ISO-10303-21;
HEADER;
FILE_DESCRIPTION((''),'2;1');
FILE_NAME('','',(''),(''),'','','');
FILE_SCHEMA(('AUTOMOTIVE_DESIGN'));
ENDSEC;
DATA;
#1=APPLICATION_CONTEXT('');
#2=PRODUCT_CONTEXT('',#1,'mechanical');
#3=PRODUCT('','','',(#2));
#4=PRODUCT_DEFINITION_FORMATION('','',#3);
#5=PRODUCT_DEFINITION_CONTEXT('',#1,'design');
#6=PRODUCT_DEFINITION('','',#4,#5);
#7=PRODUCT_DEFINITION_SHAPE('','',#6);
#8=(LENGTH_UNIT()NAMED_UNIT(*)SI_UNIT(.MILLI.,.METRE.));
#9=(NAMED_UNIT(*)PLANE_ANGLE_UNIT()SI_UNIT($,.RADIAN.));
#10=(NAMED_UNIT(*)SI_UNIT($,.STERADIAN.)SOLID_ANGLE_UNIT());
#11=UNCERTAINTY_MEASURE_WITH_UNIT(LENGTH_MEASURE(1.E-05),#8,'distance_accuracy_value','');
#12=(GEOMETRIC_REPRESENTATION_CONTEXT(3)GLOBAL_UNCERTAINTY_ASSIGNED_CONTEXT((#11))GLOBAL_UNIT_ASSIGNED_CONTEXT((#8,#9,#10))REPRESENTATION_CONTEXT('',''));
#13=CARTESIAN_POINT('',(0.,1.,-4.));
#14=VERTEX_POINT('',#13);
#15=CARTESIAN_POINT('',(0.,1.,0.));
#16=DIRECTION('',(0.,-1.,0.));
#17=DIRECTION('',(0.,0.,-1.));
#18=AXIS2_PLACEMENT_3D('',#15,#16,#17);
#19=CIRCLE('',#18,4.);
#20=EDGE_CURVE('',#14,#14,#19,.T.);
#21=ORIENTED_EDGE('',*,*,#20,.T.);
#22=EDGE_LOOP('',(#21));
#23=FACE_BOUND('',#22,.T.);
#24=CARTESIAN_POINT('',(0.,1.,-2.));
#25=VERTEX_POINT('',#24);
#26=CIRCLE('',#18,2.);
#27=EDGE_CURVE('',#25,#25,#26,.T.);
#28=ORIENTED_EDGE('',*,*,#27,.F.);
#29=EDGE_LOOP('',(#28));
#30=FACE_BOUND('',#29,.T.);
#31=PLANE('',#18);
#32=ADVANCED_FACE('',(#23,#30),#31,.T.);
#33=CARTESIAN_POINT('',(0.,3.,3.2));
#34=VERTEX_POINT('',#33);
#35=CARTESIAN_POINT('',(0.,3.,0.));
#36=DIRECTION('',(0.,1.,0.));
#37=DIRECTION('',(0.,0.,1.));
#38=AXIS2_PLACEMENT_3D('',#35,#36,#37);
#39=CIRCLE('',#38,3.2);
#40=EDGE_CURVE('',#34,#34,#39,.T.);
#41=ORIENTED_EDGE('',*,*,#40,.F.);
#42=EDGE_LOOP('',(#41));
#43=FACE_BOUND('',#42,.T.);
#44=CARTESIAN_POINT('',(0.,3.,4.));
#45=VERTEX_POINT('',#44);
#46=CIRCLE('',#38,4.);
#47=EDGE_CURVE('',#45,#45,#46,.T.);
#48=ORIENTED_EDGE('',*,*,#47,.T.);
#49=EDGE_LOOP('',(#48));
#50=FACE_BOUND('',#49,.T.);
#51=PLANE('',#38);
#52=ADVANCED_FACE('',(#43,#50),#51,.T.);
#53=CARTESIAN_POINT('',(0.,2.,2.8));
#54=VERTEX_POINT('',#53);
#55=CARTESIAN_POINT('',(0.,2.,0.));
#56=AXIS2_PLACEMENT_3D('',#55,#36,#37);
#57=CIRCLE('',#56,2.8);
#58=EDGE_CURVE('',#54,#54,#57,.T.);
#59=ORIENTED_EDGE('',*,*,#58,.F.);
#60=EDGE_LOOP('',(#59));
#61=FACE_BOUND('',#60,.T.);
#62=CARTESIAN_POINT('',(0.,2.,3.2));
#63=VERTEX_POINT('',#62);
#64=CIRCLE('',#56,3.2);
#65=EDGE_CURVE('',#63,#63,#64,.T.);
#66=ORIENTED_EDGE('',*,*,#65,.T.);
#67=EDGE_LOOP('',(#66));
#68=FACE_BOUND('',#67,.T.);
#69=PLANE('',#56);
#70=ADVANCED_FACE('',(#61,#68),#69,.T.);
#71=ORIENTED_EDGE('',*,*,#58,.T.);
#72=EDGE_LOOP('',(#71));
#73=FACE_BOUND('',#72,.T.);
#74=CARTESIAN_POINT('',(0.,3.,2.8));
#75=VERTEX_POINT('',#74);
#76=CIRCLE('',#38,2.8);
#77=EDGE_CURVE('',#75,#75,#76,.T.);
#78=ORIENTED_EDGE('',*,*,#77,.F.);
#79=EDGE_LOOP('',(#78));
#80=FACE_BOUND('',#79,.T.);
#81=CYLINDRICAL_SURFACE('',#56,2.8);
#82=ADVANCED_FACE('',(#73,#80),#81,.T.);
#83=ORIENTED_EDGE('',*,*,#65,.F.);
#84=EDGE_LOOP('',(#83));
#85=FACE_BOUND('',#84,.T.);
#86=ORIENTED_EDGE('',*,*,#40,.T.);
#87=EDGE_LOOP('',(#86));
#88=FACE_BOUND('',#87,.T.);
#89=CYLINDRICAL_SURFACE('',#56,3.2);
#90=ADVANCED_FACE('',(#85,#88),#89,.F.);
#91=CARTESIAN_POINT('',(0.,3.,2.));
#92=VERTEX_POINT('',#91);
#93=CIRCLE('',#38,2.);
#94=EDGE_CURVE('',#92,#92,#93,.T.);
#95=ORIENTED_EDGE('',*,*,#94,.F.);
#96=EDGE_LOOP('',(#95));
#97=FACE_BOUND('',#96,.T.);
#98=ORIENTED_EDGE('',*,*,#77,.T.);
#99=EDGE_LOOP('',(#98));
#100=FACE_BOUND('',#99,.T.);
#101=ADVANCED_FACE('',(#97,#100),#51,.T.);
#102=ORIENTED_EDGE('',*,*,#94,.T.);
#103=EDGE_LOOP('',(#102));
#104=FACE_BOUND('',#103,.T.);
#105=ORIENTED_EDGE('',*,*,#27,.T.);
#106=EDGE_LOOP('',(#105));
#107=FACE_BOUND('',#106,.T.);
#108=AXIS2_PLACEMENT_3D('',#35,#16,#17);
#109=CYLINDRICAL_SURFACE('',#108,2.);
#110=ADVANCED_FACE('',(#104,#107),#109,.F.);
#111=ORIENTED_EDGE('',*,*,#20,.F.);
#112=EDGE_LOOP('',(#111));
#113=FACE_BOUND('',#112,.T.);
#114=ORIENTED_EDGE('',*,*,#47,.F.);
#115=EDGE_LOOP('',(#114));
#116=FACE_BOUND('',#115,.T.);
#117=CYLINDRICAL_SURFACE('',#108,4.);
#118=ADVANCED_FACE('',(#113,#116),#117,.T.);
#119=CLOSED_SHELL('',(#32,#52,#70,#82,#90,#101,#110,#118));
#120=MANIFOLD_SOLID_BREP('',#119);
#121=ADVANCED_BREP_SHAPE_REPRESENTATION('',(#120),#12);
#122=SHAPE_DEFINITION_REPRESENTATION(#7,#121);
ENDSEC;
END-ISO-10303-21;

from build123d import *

# Parameters (mm, degrees)
SKETCH1_R           = 4
SKETCH1_R_2         = 2
BOSS_EXTRUDE1_DEPTH = 3
SKETCH2_R           = 3.2
SKETCH2_R_2         = 2.8
CUT_EXTRUDE1_DEPTH  = 1
SKETCH3_R           = 4
SKETCH3_R_2         = 2
CUT_EXTRUDE2_DEPTH  = 1


with BuildPart() as part:
    # Sketch1 → Boss-Extrude1 (new body)
    with BuildSketch(Plane(origin=(0, 0, 0), x_dir=(1, 0, 0), z_dir=(0, 1, 0))):
        Circle(SKETCH1_R)
        Circle(SKETCH1_R_2, mode=Mode.SUBTRACT)
    extrude(amount=BOSS_EXTRUDE1_DEPTH)

    # Sketch2 → Cut-Extrude1 (cut)
    with BuildSketch(Plane(origin=(0, 3, 0), x_dir=(1, 0, 0), z_dir=(0, 1, 0))):
        Circle(SKETCH2_R)
        Circle(SKETCH2_R_2, mode=Mode.SUBTRACT)
    extrude(amount=-CUT_EXTRUDE1_DEPTH, mode=Mode.SUBTRACT)

    # Sketch3 → Cut-Extrude2 (cut)
    with BuildSketch(Plane.XZ):
        Circle(SKETCH3_R)
        Circle(SKETCH3_R_2, mode=Mode.SUBTRACT)
    extrude(amount=-CUT_EXTRUDE2_DEPTH, mode=Mode.SUBTRACT)


solid = part.part
